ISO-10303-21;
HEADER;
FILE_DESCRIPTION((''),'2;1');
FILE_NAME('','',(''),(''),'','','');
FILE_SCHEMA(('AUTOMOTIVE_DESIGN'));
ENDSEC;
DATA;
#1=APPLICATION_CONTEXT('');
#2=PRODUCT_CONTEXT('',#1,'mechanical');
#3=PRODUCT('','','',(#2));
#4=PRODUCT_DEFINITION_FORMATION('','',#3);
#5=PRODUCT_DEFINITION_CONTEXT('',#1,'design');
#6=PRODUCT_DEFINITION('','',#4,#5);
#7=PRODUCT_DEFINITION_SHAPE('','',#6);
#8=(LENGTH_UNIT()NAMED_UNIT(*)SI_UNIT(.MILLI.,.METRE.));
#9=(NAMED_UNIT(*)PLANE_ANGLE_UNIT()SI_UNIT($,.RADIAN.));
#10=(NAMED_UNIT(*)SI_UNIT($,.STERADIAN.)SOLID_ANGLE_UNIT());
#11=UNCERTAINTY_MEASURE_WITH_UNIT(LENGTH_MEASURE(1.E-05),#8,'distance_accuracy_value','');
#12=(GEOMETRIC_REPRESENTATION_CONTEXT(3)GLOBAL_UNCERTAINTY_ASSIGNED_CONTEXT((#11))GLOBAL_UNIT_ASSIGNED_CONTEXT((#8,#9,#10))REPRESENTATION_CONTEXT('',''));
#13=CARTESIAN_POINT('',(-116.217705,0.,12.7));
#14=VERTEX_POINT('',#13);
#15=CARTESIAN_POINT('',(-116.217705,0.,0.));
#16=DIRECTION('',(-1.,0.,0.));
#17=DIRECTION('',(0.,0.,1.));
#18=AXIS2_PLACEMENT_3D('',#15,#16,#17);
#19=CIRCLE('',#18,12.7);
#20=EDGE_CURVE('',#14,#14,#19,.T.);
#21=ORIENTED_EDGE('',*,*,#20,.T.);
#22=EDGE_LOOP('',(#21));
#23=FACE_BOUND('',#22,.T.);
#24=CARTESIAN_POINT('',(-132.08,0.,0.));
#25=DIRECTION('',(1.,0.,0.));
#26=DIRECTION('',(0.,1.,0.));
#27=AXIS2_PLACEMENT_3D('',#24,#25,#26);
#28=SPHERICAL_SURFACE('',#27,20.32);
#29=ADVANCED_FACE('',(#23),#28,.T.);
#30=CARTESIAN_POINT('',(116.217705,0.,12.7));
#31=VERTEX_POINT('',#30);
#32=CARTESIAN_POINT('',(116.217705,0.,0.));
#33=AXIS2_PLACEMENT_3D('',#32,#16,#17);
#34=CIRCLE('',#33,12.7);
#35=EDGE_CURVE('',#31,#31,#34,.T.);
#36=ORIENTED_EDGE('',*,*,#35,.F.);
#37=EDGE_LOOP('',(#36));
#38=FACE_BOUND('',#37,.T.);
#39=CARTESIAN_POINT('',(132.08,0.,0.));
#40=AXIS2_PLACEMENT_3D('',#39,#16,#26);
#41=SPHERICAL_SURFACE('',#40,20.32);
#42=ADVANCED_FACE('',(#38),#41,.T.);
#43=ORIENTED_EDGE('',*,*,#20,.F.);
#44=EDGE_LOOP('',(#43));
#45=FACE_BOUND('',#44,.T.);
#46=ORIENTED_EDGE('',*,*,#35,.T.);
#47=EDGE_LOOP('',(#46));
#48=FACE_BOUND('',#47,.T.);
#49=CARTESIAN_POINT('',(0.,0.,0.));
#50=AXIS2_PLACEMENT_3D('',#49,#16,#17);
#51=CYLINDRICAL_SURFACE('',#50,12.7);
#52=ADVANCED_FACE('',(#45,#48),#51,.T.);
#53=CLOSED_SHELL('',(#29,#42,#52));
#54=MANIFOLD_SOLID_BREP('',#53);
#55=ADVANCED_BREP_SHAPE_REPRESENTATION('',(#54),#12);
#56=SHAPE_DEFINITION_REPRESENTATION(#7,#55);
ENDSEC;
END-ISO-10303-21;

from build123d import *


with BuildPart() as part:
    # Sketch1 → Revolve1 (revolve)
    with BuildSketch(Plane.XY):
        with BuildLine():
            Line((0, 0), (0, 12.7))
            Line((0, 12.7), (116.217705084, 12.7))
            ThreePointArc((116.217705084, 12.7), (138.809805618, 19.173213511), (152.4, 0))
            Line((152.4, 0), (0, 0))
        make_face()
    revolve1 = revolve(axis=Axis((0, 0, 0), (1, 0, 0)))

    # Mirror1: Revolve1 across plane
    add(revolve1.mirror(Plane(origin=(0, 0, 0), x_dir=(0, 0, 1), z_dir=(1, 0, 0))))


solid = part.part
